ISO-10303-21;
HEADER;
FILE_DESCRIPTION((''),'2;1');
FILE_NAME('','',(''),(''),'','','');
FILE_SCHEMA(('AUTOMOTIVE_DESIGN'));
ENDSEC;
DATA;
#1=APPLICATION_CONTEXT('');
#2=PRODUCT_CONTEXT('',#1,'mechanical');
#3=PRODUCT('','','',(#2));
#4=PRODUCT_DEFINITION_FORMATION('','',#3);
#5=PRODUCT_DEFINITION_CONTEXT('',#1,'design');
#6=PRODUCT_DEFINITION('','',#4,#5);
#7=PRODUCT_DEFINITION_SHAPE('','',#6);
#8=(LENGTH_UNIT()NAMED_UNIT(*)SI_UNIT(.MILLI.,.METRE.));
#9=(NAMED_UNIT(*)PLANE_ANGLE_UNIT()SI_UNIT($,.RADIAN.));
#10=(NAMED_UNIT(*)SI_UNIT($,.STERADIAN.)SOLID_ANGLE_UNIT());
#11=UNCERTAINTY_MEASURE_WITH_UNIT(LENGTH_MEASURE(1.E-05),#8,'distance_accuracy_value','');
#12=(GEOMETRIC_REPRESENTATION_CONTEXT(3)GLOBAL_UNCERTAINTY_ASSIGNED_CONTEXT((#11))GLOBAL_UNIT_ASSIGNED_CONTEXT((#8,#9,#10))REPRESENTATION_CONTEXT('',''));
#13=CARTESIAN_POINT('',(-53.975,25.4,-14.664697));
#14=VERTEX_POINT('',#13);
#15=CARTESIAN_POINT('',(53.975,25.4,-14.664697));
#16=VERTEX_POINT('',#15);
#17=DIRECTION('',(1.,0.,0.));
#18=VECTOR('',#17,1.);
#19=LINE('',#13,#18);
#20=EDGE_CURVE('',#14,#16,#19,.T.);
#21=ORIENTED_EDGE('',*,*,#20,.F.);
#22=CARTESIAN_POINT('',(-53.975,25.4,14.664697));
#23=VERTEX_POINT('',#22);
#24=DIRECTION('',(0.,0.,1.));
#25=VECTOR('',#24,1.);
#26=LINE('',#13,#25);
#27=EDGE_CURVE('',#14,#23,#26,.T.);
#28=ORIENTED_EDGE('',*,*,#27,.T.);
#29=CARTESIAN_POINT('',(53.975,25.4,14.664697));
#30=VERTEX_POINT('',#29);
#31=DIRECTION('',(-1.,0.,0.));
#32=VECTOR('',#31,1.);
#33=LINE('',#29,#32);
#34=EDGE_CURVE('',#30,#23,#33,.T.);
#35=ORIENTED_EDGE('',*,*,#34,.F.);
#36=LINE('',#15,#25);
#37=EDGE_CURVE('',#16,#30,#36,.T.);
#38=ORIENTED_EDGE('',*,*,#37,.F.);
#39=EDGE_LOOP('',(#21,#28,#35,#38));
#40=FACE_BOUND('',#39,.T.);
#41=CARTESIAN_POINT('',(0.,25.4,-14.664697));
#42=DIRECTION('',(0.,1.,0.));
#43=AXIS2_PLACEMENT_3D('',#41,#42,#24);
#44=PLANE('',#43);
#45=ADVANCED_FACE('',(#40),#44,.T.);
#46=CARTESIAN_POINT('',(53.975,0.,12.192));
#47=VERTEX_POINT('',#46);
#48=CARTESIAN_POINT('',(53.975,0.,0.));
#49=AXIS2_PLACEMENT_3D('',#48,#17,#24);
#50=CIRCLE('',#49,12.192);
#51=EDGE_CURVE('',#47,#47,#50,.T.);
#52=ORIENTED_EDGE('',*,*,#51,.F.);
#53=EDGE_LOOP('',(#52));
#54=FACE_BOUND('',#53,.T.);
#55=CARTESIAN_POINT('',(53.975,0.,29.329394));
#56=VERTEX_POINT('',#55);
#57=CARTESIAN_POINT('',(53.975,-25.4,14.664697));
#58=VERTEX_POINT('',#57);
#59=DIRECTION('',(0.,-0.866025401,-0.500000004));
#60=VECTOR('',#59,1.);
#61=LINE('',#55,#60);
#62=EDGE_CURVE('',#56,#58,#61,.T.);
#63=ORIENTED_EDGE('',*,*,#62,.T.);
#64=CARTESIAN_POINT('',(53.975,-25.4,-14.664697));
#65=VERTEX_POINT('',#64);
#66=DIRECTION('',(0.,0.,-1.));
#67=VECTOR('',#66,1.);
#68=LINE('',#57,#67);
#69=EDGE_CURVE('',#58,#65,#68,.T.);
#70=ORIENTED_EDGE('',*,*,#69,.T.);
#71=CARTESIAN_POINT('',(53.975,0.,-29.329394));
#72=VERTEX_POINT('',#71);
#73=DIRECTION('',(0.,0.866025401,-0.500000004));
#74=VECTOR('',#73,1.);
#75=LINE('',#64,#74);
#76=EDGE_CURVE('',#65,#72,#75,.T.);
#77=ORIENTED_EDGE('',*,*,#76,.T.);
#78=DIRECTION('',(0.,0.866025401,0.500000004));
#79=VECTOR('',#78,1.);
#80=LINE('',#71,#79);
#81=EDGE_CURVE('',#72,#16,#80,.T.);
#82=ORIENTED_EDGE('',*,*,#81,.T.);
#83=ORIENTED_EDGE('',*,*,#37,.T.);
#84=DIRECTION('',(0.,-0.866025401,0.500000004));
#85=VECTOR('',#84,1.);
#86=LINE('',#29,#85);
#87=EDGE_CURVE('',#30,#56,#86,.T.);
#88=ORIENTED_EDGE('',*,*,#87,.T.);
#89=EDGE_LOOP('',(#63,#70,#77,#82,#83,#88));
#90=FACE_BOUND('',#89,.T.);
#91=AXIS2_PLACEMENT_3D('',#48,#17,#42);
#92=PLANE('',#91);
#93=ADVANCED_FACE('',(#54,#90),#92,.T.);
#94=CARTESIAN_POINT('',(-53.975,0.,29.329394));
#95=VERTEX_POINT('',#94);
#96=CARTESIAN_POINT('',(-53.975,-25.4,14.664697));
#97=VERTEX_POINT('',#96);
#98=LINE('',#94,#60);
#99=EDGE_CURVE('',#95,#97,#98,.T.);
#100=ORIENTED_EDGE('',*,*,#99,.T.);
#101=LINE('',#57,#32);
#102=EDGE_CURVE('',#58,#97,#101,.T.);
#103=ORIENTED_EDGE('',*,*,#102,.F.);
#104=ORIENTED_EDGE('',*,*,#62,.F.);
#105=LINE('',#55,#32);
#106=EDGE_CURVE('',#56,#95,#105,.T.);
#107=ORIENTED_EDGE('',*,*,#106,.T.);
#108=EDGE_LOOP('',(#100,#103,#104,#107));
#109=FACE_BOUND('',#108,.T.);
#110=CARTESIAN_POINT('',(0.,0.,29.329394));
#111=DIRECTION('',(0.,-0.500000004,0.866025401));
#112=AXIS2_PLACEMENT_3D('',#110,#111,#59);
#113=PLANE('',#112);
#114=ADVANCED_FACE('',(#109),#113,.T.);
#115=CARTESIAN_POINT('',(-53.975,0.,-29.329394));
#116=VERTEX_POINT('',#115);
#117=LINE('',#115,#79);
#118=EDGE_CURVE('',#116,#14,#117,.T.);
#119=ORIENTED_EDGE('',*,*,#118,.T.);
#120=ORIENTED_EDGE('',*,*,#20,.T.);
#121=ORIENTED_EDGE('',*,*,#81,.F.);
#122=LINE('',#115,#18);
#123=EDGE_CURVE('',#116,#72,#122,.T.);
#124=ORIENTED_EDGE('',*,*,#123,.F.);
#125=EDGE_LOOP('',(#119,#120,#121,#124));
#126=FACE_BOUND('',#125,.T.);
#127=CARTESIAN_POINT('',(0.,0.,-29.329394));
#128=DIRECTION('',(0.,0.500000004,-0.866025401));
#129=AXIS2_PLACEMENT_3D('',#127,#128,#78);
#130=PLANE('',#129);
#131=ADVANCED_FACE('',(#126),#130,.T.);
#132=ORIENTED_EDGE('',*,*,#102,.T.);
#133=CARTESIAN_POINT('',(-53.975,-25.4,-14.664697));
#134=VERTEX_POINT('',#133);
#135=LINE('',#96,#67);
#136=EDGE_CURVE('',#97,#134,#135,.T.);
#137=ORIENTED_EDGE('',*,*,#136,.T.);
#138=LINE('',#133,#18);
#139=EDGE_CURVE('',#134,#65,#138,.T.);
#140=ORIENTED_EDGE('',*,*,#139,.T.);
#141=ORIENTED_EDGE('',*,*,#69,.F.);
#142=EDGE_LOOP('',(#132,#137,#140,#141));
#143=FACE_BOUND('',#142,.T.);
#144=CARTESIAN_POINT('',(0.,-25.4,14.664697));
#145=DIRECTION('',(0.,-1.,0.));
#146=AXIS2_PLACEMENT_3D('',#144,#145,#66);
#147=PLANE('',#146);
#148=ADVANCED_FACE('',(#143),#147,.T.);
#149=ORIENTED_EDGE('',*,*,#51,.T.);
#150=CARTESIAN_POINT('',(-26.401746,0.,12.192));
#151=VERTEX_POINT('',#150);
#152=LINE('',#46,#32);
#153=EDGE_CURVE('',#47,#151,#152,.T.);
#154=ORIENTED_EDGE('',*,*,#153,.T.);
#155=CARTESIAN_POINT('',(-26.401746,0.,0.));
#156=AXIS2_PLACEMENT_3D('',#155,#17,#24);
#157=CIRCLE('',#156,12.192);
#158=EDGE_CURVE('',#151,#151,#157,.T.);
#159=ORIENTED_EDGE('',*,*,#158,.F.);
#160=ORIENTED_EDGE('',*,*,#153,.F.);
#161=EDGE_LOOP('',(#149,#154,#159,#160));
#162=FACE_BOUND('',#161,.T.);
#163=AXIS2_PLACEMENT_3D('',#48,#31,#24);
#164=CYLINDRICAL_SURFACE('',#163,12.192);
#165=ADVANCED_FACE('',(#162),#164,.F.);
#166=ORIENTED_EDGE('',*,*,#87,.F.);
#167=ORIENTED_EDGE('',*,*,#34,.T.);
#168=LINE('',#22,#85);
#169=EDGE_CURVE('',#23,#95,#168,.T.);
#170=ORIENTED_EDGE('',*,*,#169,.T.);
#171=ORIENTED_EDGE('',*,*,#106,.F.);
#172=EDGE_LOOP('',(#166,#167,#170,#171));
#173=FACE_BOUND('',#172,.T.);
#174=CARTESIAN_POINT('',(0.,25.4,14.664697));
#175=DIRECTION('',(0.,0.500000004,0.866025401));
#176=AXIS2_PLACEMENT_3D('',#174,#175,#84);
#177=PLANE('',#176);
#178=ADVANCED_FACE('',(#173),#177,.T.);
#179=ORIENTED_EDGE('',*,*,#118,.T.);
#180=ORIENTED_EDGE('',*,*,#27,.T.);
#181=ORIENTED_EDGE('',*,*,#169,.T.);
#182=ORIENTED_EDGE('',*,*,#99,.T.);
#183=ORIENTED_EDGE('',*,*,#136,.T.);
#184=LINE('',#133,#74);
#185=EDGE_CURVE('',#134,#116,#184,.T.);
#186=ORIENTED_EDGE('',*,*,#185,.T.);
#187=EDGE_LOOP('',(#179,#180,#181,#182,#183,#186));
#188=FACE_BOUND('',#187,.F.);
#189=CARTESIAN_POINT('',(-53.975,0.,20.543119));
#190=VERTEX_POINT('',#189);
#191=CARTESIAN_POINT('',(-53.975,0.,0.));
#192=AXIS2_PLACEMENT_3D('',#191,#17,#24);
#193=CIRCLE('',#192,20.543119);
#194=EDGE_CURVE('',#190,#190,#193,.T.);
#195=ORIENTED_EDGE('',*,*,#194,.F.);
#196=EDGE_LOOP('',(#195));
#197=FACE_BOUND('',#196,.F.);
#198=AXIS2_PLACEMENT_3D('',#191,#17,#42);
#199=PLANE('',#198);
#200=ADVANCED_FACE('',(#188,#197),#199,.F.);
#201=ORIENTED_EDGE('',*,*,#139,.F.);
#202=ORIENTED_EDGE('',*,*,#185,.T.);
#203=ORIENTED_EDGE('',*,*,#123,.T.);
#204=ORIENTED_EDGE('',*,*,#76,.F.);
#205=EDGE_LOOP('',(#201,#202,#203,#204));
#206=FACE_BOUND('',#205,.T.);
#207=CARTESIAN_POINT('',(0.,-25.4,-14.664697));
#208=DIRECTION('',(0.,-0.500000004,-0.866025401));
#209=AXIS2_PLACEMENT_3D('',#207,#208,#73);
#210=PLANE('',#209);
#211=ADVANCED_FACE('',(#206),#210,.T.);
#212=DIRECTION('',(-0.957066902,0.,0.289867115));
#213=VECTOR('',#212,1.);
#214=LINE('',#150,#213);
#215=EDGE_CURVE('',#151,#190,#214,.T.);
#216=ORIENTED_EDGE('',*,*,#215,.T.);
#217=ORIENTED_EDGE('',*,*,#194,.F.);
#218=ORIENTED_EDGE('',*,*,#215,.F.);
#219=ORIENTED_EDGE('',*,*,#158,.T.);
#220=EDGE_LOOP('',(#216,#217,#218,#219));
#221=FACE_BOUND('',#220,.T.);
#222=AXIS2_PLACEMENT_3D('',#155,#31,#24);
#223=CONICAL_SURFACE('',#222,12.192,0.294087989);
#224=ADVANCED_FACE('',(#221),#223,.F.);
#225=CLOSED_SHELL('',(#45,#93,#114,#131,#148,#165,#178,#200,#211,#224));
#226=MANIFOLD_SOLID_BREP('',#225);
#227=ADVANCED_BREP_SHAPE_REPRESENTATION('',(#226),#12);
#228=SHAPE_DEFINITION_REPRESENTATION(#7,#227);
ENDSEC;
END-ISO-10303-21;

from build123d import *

# Parameters (mm, degrees)
F1_DEPTH = 53.975


with BuildPart() as f1:
    # F0 (on Right) → F1 (new body, symmetric)
    with BuildSketch(Plane.YZ):
        Polygon((-25.4, 14.664697), (-25.4, -14.664697), (0, -29.329394), (25.4, -14.664697), (25.4, 14.664697), (0, 29.329394), align=None)
    extrude(amount=F1_DEPTH, both=True)

    # F2 (on Front) → F3 (revolve, cut)
    with BuildSketch(Plane.XZ):
        Polygon((-53.975, 0), (53.975, 0), (53.975, 12.192), (-26.401746, 12.192), (-53.975, 20.543119), align=None)
    revolve(axis=Axis((-0.356656, 0, 0), (1, 0, 0)), mode=Mode.SUBTRACT)


solid = f1.part
